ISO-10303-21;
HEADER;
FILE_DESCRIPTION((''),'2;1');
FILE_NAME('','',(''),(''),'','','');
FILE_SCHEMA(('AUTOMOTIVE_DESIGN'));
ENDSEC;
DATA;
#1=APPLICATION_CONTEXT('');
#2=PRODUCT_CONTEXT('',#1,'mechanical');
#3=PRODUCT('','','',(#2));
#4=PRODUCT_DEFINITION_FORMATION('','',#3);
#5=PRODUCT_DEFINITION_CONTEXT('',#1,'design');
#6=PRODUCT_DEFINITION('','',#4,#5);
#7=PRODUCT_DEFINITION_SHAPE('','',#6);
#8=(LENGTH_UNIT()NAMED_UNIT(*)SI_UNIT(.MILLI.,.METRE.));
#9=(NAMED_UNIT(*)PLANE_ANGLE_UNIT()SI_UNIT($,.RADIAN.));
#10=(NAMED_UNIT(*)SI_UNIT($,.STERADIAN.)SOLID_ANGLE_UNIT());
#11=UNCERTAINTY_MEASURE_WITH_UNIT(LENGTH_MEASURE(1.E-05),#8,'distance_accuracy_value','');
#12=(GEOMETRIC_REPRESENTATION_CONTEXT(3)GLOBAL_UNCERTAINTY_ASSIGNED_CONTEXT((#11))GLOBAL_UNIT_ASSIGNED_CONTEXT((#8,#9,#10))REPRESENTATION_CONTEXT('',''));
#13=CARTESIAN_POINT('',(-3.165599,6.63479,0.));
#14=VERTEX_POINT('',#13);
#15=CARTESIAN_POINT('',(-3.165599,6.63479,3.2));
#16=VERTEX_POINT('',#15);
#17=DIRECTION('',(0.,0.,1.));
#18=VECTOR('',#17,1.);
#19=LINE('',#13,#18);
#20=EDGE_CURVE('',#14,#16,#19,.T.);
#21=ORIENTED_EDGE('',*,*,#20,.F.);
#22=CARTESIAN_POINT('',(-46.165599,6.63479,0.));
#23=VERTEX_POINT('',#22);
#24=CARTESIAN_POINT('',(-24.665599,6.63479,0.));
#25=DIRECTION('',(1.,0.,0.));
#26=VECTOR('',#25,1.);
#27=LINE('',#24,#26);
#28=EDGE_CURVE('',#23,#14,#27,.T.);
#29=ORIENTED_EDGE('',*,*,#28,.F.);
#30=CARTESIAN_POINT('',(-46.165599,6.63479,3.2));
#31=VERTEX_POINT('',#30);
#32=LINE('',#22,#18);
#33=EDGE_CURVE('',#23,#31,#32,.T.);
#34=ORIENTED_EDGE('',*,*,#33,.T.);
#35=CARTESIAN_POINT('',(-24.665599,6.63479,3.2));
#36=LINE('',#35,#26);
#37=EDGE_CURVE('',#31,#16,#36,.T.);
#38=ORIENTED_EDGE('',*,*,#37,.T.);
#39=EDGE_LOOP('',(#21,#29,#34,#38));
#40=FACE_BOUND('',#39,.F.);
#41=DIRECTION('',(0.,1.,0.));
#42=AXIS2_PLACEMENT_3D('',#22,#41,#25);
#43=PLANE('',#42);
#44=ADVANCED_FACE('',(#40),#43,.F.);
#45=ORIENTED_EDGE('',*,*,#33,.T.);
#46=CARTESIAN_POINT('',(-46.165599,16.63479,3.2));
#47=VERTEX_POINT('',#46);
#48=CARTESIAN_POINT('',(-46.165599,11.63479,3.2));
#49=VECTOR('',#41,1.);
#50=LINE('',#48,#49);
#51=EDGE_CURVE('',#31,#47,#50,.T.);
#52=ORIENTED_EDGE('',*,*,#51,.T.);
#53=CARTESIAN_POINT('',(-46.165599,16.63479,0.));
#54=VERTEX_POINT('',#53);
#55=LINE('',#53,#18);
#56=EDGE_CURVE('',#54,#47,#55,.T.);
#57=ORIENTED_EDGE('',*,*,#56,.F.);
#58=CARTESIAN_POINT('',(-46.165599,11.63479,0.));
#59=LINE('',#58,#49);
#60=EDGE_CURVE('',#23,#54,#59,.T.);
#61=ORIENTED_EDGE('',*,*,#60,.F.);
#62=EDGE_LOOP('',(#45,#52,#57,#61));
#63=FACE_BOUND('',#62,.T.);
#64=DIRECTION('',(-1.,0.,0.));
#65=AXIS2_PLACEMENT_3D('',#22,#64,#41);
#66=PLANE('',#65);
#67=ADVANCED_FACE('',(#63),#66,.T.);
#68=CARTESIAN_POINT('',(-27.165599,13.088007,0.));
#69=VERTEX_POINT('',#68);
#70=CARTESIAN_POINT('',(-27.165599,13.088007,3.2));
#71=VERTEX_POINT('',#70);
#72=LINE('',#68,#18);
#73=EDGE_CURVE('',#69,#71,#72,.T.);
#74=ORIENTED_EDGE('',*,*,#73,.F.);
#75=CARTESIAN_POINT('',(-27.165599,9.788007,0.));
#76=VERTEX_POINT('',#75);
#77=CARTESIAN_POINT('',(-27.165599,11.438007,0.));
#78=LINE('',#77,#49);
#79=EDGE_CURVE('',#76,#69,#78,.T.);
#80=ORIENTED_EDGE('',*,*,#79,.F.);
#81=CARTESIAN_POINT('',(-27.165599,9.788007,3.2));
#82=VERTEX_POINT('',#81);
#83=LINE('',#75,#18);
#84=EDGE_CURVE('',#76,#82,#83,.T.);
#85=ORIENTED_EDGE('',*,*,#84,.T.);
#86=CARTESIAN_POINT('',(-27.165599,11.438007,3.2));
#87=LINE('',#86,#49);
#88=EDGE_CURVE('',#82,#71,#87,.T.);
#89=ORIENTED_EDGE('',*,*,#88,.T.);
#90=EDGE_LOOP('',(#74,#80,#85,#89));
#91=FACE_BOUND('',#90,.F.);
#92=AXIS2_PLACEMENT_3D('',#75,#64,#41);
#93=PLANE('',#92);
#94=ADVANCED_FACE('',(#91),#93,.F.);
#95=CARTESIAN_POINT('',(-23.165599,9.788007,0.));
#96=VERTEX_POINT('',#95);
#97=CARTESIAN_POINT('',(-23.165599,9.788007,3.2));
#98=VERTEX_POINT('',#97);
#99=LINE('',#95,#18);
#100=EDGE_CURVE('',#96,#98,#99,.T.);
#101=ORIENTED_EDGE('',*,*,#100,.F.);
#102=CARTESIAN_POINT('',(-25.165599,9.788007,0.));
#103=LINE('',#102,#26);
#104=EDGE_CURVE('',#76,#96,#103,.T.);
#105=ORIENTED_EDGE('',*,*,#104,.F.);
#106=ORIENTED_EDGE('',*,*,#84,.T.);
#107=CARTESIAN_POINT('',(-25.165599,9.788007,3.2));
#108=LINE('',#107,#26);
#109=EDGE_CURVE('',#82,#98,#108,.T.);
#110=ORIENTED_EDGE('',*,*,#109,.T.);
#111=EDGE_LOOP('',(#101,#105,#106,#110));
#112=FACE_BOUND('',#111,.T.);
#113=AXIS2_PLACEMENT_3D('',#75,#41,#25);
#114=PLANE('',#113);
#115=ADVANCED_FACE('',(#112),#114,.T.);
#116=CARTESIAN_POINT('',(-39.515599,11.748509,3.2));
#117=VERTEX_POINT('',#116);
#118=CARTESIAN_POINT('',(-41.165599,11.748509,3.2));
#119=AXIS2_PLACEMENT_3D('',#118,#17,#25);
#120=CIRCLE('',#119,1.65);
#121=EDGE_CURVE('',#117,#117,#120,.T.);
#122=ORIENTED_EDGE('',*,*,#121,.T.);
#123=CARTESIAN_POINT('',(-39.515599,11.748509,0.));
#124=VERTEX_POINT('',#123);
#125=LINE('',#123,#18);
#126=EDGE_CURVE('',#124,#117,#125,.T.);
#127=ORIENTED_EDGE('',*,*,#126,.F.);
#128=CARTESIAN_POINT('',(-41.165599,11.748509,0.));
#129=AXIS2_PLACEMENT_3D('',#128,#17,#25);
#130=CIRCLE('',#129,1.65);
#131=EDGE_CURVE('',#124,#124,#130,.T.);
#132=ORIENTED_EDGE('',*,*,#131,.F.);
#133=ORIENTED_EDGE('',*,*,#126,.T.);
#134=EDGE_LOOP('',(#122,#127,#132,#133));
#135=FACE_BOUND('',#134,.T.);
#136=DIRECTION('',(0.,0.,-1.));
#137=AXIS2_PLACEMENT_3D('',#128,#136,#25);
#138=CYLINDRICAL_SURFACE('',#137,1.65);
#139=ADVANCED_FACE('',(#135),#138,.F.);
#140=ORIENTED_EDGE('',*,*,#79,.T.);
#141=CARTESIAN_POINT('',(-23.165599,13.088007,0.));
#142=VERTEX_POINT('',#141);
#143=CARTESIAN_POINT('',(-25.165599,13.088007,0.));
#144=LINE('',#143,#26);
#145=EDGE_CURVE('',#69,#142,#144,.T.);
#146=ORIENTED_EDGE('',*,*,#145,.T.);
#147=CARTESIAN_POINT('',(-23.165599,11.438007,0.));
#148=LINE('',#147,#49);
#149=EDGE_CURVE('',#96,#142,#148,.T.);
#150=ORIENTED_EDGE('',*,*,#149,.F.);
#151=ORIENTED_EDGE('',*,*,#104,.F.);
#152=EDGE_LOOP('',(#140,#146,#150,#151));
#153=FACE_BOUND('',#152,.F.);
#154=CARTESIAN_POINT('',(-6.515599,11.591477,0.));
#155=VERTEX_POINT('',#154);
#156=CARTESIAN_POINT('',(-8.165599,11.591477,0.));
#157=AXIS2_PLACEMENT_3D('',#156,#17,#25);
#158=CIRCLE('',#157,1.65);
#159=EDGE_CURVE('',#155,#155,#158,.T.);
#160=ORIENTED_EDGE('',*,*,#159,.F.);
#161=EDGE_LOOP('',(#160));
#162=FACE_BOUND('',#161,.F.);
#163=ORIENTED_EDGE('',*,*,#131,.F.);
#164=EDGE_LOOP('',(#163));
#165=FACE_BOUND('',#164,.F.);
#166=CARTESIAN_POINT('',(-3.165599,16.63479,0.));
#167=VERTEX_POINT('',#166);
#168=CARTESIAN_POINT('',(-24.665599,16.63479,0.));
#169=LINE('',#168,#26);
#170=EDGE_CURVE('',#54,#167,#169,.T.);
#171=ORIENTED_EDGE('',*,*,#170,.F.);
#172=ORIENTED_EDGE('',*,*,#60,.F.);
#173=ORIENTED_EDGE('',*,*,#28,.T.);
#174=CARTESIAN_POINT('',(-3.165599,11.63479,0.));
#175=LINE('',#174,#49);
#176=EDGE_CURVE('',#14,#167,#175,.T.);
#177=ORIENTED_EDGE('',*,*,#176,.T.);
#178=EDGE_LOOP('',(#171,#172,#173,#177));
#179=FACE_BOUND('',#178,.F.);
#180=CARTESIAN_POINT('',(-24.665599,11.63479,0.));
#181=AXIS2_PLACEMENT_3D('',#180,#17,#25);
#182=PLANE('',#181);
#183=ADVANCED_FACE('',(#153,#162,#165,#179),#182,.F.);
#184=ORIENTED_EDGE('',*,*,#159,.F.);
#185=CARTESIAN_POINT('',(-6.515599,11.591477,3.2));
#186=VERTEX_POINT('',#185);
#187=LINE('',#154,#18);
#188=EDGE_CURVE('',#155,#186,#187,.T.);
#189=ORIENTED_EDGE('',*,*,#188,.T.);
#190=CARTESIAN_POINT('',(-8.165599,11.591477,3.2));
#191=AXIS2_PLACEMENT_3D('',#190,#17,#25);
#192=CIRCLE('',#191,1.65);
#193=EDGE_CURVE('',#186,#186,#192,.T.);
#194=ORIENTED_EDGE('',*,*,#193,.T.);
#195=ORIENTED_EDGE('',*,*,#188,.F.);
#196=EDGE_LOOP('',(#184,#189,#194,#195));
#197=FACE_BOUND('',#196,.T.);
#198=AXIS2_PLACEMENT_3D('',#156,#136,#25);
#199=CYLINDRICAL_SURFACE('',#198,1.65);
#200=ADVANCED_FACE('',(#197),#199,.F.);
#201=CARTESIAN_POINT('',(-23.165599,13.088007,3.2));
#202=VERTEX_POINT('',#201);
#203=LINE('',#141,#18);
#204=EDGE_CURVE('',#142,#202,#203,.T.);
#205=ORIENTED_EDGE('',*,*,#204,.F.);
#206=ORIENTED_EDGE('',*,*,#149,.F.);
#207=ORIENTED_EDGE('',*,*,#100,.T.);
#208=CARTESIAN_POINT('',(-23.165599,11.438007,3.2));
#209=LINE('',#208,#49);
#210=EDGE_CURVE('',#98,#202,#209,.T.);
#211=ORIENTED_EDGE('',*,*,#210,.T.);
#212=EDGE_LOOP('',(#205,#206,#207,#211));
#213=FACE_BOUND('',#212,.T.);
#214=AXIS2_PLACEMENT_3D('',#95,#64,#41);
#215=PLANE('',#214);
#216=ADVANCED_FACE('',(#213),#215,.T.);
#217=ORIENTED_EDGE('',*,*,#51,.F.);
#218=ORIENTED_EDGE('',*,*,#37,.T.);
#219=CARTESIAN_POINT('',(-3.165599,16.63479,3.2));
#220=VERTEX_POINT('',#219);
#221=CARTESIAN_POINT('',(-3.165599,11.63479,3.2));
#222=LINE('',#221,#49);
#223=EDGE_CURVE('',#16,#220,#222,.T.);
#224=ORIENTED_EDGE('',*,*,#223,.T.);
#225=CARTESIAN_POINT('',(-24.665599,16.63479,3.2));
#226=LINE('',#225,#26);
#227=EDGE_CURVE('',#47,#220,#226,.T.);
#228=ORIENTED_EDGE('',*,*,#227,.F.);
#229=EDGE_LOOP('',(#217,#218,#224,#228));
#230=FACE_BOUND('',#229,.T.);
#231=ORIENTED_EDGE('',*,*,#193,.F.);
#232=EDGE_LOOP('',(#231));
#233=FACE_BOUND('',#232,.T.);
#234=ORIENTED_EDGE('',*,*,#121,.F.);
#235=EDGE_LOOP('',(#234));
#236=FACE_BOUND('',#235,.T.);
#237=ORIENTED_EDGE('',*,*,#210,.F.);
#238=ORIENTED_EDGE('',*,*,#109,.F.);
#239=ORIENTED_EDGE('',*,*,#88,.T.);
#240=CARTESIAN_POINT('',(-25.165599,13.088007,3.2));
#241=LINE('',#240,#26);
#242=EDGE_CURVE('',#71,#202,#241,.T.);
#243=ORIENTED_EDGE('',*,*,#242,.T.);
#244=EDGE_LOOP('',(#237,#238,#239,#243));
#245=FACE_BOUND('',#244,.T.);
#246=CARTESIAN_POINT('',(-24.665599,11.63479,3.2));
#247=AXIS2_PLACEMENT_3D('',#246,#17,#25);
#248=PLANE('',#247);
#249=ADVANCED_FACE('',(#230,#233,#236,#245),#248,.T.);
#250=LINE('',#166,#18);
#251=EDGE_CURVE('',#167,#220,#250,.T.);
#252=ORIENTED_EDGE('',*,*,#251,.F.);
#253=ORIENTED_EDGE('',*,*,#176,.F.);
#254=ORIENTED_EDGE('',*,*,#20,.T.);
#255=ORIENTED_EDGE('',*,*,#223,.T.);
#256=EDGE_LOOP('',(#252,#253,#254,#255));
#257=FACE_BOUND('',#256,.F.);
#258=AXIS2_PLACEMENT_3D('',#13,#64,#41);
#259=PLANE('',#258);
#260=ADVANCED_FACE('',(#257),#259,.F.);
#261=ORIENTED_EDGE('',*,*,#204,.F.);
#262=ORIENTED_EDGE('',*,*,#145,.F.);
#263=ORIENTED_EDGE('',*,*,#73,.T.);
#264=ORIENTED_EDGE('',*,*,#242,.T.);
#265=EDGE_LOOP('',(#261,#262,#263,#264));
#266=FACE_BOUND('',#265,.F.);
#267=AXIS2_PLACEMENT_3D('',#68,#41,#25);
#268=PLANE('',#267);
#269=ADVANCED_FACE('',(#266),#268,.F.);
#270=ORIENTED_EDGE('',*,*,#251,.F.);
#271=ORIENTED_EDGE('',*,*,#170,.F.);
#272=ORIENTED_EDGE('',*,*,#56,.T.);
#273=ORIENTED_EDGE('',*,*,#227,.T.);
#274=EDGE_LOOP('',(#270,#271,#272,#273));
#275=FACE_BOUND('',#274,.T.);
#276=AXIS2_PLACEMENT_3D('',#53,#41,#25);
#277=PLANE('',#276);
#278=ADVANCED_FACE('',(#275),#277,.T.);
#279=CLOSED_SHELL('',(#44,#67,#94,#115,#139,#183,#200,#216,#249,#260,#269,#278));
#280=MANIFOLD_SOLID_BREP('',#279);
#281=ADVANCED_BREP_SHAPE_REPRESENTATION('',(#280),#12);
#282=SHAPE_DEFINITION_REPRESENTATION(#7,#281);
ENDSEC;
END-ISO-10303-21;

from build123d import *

# Parameters (mm, degrees)
F0_W     = 43
F0_H     = 10
F0_W_2   = 4
F0_H_2   = 3.3
F0_R     = 1.65
F1_DEPTH = 3.2


with BuildPart() as f1:
    # F0 (on Top) → F1 (new body)
    with BuildSketch(Plane.XY):
        with Locations((-24.665599, 11.63479)):
            Rectangle(F0_W, F0_H)
        with Locations((-25.165599, 11.438007)):
            Rectangle(F0_W_2, F0_H_2, mode=Mode.SUBTRACT)
        with Locations((-8.165599, 11.591477)):
            Circle(F0_R, mode=Mode.SUBTRACT)
        with Locations((-41.165599, 11.748509)):
            Circle(F0_R, mode=Mode.SUBTRACT)
    extrude(amount=F1_DEPTH)


solid = f1.part
